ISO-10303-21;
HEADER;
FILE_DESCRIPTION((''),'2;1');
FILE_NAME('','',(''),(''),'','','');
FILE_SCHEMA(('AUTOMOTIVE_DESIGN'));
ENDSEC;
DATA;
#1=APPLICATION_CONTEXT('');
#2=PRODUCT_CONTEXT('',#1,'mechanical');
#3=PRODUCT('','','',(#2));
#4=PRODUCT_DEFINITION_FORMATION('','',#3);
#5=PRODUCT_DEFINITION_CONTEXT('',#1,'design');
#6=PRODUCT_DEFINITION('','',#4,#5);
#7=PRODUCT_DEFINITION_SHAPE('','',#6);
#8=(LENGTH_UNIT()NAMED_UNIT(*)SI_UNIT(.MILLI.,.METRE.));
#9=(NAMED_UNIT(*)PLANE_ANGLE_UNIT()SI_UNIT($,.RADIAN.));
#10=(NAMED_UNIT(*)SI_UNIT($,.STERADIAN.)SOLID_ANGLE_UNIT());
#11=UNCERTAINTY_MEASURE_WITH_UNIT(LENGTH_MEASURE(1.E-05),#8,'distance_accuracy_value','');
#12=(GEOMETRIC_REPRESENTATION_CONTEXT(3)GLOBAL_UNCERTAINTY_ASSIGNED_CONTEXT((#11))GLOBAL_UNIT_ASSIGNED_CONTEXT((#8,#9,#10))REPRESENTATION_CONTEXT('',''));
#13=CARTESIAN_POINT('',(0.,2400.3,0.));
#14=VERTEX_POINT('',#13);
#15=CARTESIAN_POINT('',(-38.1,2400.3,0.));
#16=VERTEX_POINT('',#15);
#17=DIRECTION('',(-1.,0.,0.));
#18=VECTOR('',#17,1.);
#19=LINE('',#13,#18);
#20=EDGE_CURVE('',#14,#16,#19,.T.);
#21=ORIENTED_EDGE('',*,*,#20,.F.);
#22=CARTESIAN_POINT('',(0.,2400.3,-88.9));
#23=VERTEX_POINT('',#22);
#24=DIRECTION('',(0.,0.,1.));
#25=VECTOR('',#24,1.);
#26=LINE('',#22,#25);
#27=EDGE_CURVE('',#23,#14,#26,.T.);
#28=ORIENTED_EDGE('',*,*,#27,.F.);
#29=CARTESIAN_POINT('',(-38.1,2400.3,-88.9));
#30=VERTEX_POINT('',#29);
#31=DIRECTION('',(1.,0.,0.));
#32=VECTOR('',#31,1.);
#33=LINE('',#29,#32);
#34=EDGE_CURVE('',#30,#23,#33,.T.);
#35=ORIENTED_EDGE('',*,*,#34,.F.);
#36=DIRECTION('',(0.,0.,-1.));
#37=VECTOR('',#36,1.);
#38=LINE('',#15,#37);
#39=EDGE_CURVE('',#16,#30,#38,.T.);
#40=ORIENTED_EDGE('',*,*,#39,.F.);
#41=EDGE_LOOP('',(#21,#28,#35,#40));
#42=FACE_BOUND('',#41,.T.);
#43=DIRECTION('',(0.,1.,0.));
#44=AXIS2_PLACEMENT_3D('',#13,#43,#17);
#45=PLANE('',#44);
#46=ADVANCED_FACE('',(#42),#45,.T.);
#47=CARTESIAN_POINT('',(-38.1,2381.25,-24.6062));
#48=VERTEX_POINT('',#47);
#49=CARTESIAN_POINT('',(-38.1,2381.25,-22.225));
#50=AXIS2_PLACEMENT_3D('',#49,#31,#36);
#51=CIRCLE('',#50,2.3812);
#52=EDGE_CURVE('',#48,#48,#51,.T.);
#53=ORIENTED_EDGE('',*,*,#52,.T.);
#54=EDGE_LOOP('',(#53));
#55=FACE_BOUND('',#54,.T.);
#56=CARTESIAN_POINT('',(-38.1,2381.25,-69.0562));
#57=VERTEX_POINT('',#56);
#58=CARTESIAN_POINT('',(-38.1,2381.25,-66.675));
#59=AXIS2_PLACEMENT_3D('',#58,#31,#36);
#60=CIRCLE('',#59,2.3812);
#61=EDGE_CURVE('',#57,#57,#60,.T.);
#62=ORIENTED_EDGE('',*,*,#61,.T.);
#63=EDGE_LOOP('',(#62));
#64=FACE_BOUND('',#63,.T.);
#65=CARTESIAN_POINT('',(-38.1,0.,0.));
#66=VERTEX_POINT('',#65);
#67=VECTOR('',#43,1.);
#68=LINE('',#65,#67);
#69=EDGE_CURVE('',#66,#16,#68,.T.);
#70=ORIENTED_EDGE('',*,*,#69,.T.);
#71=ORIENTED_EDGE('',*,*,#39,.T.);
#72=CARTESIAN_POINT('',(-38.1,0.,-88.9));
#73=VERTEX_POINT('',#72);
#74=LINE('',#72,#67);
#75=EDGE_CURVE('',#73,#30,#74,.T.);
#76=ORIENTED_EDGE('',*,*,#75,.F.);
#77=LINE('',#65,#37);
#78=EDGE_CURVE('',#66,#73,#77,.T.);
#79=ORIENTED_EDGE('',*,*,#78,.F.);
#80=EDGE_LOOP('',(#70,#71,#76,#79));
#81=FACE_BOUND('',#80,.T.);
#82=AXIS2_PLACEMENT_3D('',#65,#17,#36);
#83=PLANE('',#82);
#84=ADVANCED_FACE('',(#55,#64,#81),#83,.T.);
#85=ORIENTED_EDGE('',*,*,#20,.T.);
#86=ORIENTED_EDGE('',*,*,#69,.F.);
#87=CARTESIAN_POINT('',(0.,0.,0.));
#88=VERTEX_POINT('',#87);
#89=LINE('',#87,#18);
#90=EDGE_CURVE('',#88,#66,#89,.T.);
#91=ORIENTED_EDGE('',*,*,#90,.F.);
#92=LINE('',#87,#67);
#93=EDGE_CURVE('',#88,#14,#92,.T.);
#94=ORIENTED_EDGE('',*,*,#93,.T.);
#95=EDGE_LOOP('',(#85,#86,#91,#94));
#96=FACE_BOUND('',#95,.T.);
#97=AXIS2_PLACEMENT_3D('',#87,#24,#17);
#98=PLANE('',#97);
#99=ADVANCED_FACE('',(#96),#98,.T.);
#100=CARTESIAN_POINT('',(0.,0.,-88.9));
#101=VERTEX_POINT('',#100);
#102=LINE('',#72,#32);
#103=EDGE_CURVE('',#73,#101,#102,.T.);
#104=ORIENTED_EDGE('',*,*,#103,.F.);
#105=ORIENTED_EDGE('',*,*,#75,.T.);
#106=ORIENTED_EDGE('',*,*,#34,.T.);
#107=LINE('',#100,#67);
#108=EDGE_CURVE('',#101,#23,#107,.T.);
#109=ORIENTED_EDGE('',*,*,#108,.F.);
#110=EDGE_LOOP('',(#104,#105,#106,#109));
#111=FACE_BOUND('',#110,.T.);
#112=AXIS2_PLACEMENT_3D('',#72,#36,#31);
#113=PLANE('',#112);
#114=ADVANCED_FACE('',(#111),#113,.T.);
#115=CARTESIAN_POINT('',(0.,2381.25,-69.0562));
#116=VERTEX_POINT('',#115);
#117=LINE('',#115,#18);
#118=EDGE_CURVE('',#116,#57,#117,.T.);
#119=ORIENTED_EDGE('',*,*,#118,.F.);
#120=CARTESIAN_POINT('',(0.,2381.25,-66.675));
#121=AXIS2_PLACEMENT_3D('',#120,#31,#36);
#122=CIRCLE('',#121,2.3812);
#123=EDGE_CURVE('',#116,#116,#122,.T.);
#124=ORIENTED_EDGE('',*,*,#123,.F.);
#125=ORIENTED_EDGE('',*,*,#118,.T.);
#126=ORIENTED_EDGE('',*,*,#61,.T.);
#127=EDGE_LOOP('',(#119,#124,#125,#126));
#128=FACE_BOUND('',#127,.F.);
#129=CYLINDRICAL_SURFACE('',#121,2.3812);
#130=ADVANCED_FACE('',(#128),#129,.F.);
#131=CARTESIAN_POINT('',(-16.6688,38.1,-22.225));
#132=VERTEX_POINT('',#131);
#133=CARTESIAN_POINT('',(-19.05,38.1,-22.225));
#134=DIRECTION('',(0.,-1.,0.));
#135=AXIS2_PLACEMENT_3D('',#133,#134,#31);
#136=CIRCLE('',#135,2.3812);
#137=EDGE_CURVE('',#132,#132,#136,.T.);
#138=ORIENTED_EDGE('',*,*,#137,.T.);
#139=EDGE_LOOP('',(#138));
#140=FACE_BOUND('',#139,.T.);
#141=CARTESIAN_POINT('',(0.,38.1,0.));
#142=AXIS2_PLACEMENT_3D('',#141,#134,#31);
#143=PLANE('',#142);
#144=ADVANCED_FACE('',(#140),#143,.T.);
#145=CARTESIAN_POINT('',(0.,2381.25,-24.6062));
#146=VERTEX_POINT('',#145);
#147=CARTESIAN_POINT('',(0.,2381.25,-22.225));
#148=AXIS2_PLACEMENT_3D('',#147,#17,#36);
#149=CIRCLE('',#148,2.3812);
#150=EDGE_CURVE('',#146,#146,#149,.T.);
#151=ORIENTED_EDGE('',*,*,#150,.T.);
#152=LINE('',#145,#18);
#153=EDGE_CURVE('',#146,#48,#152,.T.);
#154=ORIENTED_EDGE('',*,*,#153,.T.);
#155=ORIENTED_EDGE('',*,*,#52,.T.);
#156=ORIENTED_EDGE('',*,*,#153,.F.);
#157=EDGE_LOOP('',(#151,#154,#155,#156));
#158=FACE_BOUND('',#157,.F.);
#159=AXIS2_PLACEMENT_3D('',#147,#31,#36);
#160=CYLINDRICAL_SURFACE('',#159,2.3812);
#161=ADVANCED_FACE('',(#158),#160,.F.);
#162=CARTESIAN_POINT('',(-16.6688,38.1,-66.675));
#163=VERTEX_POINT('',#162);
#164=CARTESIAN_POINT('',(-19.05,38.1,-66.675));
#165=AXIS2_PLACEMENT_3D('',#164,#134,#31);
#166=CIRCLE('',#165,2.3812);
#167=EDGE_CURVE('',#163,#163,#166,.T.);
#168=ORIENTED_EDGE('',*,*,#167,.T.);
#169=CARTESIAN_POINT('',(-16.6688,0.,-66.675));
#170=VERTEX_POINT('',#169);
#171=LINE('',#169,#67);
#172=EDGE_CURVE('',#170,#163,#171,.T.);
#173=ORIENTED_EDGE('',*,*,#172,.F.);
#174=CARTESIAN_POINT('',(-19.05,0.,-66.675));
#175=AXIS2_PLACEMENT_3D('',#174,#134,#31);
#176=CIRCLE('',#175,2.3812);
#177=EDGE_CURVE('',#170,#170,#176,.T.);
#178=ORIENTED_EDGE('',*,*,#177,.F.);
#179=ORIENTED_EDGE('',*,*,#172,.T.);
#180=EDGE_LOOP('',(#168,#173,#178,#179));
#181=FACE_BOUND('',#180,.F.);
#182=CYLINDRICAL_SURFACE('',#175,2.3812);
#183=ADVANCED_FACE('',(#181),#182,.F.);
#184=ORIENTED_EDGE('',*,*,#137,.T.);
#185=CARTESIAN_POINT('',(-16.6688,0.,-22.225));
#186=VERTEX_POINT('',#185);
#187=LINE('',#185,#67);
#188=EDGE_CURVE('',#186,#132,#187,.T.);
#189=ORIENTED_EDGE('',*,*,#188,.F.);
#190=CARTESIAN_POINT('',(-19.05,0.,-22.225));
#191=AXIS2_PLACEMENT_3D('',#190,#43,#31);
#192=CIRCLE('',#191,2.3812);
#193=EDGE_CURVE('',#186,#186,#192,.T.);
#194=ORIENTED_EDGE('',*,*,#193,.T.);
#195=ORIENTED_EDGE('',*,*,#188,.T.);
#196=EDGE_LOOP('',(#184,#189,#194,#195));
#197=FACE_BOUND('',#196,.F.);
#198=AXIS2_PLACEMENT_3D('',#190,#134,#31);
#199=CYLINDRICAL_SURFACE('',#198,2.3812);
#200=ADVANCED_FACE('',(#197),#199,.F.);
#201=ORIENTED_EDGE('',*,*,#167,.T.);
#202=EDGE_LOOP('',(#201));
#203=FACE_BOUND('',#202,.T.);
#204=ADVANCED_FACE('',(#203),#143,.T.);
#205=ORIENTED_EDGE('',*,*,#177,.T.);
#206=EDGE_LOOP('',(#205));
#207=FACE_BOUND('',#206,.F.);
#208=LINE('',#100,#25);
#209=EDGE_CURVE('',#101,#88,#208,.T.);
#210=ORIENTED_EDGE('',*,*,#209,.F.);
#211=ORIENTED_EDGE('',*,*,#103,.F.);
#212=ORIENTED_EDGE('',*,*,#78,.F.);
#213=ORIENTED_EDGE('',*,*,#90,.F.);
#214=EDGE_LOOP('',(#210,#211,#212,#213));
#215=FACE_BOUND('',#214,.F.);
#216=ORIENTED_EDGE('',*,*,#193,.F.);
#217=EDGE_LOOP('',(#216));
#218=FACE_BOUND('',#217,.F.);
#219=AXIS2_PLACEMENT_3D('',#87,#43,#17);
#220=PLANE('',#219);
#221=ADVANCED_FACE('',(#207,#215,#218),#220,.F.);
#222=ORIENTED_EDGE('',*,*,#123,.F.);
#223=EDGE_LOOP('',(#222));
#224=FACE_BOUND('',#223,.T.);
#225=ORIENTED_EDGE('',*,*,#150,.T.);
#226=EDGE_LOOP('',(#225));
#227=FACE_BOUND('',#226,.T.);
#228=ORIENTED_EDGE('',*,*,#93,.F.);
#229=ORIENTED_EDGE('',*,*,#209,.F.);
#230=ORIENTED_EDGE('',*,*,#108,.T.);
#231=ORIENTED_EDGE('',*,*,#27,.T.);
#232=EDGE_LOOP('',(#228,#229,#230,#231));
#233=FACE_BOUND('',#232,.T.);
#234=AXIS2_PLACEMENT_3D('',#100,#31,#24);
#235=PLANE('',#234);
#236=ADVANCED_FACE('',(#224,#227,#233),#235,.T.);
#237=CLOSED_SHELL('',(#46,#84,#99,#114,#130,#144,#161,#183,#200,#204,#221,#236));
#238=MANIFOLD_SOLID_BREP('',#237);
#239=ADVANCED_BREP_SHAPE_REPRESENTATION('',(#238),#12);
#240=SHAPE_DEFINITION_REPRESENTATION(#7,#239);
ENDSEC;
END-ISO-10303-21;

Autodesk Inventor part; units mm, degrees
ref_plane "YZ Plane" through (0, 0, 0) normal (1, 0, 0) x (0, 1, 0)
ref_plane "XZ Plane" through (0, 0, 0) normal (0, 1, 0) x (-1, 0, 0)
ref_plane "XY Plane" through (0, 0, 0) normal (0, 0, 1) x (1, 0, 0)
sketch "Sketch1" plane through (0, 0, 0) normal (0, 1, 0) x (-1, 0, 0)
  line L0 (0, 0) -> (38.1, 0)
  line L1 (38.1, 0) -> (38.1, -88.9)
  line L2 (38.1, -88.9) -> (0, -88.9)
  line L3 (0, -88.9) -> (0, 0)
  dimension "d0" = 38.1
  dimension "d1" = 88.9
extrude "Extrusion1" add sketch "Sketch1" along normal blind 2400.3
sketch "Sketch4" plane through (0, 0, 0) normal (0, -1, 0) x (1, 0, 0)
  line L0 (-38.1, -88.9) -> (-38.1, 0) projected
  line L1 (0, 0) -> (-38.1, 0)
  line L2 (-38.1, 0) -> (-38.1, -44.45)
  line L3 (-38.1, -44.45) -> (0, -44.45)
  line L4 (0, -44.45) -> (0, 0)
  line L5 (0, 0) -> (0, -88.9) projected
  line L6 (-19.05, -44.45) -> (0, -44.45)
  line L7 (0, -44.45) -> (0, -22.225)
  line L8 (0, -22.225) -> (-19.05, -22.225)
  line L9 (-19.05, -22.225) -> (-19.05, -44.45)
  circle A0 centre (-19.05, -22.225) radius 2.3812
  circle A1 centre (-19.05, -66.675) radius 2.3812
  dimension "d12" = 4.7625
extrude "Extrusion4" cut sketch "Sketch4" against normal blind 38.1 contours A0 L8 L9 | L9 L8 A0 | A1
sketch "Sketch5" plane through (0, 0, 0) normal (1, 0, 0) x (0, 0, -1)
  line L0 (88.9, 0) -> (88.9, 2400.3) projected
  line L1 (0, 0) -> (0, 2400.3) projected
  line L2 (88.9, 2400.3) -> (0, 2400.3)
  line L3 (0, 2400.3) -> (0, 2362.2)
  line L4 (0, 2362.2) -> (88.9, 2362.2)
  line L5 (88.9, 2362.2) -> (88.9, 2400.3)
  line L6 (0, 2362.2) -> (44.45, 2362.2)
  line L7 (44.45, 2362.2) -> (44.45, 2381.25)
  line L8 (44.45, 2381.25) -> (0, 2381.25)
  line L9 (0, 2381.25) -> (0, 2362.2)
  line L10 (44.45, 2381.25) -> (22.225, 2381.25)
  line L11 (22.225, 2381.25) -> (22.225, 2362.2)
  line L12 (22.225, 2362.2) -> (44.45, 2362.2)
  line L13 (44.45, 2362.2) -> (44.45, 2381.25)
  circle A0 centre (22.225, 2381.25) radius 2.3812
  circle A1 centre (66.675, 2381.25) radius 2.3812
  dimension "d15" = 38.1
  dimension "d16" = 4.7625
extrude "Extrusion5" cut sketch "Sketch5" against normal up to surface (38.1 mm away) contours A0 L8 L11 | L11 L8 A0 | L8 A0 | A1
properties part number "wallLeftLong" material "Wood (Birch)"
